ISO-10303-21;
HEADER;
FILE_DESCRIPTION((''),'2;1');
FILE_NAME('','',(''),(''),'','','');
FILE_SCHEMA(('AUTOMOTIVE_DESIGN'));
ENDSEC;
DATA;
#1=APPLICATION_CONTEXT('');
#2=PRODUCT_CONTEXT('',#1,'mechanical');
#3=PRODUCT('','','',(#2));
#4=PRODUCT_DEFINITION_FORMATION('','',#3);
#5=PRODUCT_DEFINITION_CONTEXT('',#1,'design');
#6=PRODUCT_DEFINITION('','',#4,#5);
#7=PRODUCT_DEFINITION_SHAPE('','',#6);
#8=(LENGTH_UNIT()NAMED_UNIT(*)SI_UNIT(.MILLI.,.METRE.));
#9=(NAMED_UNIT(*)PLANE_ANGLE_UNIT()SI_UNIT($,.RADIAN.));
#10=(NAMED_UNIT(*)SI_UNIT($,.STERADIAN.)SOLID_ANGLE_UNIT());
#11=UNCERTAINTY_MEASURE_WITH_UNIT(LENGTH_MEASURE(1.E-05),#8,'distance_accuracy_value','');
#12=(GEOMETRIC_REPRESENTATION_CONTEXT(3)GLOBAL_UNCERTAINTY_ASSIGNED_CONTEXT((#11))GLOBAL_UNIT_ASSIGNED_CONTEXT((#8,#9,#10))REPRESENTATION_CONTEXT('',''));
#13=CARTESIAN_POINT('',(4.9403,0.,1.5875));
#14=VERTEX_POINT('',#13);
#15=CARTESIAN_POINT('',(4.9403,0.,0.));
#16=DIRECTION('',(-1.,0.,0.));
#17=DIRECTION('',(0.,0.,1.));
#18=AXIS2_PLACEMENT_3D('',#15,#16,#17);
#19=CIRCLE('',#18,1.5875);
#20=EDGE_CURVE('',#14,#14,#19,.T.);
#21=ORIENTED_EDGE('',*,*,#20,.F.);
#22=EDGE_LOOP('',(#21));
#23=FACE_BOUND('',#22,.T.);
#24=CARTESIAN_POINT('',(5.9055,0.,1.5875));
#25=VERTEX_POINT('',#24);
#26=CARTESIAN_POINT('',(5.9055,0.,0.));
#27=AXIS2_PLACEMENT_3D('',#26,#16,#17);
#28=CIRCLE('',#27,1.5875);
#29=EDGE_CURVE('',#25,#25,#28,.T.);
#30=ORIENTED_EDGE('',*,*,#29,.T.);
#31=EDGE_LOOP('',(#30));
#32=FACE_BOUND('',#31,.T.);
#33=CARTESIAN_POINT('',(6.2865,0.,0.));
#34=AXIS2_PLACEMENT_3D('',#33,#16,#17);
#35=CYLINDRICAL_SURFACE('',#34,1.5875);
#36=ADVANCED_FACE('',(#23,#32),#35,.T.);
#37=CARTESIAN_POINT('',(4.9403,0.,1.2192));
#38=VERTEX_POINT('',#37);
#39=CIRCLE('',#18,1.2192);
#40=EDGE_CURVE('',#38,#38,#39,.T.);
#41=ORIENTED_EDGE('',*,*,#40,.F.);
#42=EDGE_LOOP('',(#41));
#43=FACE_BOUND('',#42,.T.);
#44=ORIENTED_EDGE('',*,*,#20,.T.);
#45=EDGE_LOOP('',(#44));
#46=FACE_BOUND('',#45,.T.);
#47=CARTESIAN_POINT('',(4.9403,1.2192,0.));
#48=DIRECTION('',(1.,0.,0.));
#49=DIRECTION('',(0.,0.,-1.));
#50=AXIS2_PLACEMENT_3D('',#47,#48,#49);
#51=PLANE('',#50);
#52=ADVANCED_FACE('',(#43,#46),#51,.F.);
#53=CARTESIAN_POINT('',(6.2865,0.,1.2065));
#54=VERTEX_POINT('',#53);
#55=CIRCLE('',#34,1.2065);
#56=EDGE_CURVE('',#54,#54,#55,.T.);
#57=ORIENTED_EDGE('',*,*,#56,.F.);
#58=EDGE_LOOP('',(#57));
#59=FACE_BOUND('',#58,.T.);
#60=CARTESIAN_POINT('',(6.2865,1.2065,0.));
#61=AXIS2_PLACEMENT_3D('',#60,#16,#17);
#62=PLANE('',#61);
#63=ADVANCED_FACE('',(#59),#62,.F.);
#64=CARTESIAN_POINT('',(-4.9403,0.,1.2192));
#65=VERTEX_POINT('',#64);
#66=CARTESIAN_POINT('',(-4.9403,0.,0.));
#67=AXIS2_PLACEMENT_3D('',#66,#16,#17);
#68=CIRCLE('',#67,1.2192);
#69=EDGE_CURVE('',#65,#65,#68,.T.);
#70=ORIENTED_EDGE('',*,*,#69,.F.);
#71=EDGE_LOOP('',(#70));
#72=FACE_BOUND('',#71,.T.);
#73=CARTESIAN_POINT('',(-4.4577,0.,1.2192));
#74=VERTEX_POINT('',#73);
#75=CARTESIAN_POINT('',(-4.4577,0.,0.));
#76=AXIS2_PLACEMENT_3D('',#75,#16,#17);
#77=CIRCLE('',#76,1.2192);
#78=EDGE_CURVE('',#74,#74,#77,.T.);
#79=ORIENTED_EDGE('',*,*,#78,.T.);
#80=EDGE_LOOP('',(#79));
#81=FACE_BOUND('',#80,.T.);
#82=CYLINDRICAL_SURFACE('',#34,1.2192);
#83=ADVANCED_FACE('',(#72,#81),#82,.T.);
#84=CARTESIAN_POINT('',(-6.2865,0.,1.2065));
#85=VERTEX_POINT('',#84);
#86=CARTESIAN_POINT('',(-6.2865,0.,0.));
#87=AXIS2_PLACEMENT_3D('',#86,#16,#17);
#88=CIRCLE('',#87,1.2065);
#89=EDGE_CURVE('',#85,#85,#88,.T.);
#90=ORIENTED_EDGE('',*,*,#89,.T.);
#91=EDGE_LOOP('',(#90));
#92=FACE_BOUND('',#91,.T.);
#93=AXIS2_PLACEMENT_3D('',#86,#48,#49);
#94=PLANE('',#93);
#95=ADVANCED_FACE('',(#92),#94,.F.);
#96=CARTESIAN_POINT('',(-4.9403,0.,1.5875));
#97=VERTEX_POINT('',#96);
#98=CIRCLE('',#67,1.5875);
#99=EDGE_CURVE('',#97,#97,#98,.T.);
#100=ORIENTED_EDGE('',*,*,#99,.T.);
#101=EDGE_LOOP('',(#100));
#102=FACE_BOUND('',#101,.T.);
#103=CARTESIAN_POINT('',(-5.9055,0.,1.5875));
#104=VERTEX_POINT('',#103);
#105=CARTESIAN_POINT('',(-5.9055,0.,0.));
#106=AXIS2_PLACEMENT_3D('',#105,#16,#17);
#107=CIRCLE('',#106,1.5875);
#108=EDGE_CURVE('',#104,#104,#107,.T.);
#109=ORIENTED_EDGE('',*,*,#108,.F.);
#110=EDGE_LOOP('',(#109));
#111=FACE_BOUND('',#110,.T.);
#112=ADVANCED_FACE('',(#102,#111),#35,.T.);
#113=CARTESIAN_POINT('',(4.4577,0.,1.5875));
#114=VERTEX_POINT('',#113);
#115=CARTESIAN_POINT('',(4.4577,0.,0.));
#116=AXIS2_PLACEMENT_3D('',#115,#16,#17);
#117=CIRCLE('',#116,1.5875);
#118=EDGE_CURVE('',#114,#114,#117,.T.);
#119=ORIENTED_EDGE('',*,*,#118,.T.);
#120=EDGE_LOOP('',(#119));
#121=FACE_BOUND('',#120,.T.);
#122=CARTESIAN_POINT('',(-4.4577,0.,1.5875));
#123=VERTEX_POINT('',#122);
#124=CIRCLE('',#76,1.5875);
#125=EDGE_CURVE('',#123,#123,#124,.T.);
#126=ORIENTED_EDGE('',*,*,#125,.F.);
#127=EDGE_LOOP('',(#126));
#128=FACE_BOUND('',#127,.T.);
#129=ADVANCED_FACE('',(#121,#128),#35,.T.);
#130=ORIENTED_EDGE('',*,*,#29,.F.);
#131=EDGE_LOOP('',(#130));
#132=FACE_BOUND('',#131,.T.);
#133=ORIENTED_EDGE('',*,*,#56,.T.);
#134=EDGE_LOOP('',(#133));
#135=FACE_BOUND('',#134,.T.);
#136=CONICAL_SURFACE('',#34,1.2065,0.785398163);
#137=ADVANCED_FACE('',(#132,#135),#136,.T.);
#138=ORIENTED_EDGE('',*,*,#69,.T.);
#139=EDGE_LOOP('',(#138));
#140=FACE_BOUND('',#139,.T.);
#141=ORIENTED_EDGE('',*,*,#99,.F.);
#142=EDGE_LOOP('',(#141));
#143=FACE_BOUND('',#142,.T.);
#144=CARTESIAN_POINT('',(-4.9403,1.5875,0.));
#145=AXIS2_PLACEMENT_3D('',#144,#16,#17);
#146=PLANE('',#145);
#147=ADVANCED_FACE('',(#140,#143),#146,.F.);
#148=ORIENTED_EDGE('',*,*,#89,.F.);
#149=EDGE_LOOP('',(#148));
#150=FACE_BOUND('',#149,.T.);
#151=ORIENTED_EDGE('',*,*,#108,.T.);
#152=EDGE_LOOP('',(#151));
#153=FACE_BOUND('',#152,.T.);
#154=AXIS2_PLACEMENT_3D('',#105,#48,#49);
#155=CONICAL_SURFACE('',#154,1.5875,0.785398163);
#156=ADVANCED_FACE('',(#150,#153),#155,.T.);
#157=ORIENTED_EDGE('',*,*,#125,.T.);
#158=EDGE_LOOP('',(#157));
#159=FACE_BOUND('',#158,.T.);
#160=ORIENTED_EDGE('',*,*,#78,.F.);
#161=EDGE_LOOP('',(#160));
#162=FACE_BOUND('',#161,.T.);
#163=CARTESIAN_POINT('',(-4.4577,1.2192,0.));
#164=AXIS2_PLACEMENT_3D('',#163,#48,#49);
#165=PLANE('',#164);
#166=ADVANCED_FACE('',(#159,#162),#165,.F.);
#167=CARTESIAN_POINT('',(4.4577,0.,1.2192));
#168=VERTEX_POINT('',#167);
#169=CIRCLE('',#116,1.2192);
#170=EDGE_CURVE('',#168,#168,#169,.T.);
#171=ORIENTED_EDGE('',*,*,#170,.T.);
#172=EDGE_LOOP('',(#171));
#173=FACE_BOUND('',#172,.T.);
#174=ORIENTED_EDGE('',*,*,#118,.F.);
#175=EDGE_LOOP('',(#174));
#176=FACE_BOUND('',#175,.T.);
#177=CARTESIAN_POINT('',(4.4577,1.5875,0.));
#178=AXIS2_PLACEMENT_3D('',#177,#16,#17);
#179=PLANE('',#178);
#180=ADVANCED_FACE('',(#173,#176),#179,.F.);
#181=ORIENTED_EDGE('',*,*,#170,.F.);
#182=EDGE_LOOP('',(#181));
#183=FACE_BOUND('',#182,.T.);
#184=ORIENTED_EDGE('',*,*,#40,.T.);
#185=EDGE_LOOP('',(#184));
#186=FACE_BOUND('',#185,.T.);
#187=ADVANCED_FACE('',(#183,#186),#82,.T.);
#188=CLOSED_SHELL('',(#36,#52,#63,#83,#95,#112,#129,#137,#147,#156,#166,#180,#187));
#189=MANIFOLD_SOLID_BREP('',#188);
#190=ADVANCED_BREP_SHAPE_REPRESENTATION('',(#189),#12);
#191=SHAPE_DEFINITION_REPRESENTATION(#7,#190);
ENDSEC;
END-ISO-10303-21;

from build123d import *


with BuildPart() as part:
    # Sketch1 → Revolve1 (revolve)
    with BuildSketch(Plane.XY):
        Polygon((-6.2865, 0), (-6.2865, 1.2065), (-5.9055, 1.5875), (-4.9403, 1.5875), (-4.9403, 1.2192), (-4.4577, 1.2192), (-4.4577, 1.5875), (4.4577, 1.5875), (4.4577, 1.2192), (4.9403, 1.2192), (4.9403, 1.5875), (5.9055, 1.5875), (6.2865, 1.2065), (6.2865, 0), align=None)
    revolve(axis=Axis((6.2865, 0, 0), (-1, 0, 0)))


solid = part.part
